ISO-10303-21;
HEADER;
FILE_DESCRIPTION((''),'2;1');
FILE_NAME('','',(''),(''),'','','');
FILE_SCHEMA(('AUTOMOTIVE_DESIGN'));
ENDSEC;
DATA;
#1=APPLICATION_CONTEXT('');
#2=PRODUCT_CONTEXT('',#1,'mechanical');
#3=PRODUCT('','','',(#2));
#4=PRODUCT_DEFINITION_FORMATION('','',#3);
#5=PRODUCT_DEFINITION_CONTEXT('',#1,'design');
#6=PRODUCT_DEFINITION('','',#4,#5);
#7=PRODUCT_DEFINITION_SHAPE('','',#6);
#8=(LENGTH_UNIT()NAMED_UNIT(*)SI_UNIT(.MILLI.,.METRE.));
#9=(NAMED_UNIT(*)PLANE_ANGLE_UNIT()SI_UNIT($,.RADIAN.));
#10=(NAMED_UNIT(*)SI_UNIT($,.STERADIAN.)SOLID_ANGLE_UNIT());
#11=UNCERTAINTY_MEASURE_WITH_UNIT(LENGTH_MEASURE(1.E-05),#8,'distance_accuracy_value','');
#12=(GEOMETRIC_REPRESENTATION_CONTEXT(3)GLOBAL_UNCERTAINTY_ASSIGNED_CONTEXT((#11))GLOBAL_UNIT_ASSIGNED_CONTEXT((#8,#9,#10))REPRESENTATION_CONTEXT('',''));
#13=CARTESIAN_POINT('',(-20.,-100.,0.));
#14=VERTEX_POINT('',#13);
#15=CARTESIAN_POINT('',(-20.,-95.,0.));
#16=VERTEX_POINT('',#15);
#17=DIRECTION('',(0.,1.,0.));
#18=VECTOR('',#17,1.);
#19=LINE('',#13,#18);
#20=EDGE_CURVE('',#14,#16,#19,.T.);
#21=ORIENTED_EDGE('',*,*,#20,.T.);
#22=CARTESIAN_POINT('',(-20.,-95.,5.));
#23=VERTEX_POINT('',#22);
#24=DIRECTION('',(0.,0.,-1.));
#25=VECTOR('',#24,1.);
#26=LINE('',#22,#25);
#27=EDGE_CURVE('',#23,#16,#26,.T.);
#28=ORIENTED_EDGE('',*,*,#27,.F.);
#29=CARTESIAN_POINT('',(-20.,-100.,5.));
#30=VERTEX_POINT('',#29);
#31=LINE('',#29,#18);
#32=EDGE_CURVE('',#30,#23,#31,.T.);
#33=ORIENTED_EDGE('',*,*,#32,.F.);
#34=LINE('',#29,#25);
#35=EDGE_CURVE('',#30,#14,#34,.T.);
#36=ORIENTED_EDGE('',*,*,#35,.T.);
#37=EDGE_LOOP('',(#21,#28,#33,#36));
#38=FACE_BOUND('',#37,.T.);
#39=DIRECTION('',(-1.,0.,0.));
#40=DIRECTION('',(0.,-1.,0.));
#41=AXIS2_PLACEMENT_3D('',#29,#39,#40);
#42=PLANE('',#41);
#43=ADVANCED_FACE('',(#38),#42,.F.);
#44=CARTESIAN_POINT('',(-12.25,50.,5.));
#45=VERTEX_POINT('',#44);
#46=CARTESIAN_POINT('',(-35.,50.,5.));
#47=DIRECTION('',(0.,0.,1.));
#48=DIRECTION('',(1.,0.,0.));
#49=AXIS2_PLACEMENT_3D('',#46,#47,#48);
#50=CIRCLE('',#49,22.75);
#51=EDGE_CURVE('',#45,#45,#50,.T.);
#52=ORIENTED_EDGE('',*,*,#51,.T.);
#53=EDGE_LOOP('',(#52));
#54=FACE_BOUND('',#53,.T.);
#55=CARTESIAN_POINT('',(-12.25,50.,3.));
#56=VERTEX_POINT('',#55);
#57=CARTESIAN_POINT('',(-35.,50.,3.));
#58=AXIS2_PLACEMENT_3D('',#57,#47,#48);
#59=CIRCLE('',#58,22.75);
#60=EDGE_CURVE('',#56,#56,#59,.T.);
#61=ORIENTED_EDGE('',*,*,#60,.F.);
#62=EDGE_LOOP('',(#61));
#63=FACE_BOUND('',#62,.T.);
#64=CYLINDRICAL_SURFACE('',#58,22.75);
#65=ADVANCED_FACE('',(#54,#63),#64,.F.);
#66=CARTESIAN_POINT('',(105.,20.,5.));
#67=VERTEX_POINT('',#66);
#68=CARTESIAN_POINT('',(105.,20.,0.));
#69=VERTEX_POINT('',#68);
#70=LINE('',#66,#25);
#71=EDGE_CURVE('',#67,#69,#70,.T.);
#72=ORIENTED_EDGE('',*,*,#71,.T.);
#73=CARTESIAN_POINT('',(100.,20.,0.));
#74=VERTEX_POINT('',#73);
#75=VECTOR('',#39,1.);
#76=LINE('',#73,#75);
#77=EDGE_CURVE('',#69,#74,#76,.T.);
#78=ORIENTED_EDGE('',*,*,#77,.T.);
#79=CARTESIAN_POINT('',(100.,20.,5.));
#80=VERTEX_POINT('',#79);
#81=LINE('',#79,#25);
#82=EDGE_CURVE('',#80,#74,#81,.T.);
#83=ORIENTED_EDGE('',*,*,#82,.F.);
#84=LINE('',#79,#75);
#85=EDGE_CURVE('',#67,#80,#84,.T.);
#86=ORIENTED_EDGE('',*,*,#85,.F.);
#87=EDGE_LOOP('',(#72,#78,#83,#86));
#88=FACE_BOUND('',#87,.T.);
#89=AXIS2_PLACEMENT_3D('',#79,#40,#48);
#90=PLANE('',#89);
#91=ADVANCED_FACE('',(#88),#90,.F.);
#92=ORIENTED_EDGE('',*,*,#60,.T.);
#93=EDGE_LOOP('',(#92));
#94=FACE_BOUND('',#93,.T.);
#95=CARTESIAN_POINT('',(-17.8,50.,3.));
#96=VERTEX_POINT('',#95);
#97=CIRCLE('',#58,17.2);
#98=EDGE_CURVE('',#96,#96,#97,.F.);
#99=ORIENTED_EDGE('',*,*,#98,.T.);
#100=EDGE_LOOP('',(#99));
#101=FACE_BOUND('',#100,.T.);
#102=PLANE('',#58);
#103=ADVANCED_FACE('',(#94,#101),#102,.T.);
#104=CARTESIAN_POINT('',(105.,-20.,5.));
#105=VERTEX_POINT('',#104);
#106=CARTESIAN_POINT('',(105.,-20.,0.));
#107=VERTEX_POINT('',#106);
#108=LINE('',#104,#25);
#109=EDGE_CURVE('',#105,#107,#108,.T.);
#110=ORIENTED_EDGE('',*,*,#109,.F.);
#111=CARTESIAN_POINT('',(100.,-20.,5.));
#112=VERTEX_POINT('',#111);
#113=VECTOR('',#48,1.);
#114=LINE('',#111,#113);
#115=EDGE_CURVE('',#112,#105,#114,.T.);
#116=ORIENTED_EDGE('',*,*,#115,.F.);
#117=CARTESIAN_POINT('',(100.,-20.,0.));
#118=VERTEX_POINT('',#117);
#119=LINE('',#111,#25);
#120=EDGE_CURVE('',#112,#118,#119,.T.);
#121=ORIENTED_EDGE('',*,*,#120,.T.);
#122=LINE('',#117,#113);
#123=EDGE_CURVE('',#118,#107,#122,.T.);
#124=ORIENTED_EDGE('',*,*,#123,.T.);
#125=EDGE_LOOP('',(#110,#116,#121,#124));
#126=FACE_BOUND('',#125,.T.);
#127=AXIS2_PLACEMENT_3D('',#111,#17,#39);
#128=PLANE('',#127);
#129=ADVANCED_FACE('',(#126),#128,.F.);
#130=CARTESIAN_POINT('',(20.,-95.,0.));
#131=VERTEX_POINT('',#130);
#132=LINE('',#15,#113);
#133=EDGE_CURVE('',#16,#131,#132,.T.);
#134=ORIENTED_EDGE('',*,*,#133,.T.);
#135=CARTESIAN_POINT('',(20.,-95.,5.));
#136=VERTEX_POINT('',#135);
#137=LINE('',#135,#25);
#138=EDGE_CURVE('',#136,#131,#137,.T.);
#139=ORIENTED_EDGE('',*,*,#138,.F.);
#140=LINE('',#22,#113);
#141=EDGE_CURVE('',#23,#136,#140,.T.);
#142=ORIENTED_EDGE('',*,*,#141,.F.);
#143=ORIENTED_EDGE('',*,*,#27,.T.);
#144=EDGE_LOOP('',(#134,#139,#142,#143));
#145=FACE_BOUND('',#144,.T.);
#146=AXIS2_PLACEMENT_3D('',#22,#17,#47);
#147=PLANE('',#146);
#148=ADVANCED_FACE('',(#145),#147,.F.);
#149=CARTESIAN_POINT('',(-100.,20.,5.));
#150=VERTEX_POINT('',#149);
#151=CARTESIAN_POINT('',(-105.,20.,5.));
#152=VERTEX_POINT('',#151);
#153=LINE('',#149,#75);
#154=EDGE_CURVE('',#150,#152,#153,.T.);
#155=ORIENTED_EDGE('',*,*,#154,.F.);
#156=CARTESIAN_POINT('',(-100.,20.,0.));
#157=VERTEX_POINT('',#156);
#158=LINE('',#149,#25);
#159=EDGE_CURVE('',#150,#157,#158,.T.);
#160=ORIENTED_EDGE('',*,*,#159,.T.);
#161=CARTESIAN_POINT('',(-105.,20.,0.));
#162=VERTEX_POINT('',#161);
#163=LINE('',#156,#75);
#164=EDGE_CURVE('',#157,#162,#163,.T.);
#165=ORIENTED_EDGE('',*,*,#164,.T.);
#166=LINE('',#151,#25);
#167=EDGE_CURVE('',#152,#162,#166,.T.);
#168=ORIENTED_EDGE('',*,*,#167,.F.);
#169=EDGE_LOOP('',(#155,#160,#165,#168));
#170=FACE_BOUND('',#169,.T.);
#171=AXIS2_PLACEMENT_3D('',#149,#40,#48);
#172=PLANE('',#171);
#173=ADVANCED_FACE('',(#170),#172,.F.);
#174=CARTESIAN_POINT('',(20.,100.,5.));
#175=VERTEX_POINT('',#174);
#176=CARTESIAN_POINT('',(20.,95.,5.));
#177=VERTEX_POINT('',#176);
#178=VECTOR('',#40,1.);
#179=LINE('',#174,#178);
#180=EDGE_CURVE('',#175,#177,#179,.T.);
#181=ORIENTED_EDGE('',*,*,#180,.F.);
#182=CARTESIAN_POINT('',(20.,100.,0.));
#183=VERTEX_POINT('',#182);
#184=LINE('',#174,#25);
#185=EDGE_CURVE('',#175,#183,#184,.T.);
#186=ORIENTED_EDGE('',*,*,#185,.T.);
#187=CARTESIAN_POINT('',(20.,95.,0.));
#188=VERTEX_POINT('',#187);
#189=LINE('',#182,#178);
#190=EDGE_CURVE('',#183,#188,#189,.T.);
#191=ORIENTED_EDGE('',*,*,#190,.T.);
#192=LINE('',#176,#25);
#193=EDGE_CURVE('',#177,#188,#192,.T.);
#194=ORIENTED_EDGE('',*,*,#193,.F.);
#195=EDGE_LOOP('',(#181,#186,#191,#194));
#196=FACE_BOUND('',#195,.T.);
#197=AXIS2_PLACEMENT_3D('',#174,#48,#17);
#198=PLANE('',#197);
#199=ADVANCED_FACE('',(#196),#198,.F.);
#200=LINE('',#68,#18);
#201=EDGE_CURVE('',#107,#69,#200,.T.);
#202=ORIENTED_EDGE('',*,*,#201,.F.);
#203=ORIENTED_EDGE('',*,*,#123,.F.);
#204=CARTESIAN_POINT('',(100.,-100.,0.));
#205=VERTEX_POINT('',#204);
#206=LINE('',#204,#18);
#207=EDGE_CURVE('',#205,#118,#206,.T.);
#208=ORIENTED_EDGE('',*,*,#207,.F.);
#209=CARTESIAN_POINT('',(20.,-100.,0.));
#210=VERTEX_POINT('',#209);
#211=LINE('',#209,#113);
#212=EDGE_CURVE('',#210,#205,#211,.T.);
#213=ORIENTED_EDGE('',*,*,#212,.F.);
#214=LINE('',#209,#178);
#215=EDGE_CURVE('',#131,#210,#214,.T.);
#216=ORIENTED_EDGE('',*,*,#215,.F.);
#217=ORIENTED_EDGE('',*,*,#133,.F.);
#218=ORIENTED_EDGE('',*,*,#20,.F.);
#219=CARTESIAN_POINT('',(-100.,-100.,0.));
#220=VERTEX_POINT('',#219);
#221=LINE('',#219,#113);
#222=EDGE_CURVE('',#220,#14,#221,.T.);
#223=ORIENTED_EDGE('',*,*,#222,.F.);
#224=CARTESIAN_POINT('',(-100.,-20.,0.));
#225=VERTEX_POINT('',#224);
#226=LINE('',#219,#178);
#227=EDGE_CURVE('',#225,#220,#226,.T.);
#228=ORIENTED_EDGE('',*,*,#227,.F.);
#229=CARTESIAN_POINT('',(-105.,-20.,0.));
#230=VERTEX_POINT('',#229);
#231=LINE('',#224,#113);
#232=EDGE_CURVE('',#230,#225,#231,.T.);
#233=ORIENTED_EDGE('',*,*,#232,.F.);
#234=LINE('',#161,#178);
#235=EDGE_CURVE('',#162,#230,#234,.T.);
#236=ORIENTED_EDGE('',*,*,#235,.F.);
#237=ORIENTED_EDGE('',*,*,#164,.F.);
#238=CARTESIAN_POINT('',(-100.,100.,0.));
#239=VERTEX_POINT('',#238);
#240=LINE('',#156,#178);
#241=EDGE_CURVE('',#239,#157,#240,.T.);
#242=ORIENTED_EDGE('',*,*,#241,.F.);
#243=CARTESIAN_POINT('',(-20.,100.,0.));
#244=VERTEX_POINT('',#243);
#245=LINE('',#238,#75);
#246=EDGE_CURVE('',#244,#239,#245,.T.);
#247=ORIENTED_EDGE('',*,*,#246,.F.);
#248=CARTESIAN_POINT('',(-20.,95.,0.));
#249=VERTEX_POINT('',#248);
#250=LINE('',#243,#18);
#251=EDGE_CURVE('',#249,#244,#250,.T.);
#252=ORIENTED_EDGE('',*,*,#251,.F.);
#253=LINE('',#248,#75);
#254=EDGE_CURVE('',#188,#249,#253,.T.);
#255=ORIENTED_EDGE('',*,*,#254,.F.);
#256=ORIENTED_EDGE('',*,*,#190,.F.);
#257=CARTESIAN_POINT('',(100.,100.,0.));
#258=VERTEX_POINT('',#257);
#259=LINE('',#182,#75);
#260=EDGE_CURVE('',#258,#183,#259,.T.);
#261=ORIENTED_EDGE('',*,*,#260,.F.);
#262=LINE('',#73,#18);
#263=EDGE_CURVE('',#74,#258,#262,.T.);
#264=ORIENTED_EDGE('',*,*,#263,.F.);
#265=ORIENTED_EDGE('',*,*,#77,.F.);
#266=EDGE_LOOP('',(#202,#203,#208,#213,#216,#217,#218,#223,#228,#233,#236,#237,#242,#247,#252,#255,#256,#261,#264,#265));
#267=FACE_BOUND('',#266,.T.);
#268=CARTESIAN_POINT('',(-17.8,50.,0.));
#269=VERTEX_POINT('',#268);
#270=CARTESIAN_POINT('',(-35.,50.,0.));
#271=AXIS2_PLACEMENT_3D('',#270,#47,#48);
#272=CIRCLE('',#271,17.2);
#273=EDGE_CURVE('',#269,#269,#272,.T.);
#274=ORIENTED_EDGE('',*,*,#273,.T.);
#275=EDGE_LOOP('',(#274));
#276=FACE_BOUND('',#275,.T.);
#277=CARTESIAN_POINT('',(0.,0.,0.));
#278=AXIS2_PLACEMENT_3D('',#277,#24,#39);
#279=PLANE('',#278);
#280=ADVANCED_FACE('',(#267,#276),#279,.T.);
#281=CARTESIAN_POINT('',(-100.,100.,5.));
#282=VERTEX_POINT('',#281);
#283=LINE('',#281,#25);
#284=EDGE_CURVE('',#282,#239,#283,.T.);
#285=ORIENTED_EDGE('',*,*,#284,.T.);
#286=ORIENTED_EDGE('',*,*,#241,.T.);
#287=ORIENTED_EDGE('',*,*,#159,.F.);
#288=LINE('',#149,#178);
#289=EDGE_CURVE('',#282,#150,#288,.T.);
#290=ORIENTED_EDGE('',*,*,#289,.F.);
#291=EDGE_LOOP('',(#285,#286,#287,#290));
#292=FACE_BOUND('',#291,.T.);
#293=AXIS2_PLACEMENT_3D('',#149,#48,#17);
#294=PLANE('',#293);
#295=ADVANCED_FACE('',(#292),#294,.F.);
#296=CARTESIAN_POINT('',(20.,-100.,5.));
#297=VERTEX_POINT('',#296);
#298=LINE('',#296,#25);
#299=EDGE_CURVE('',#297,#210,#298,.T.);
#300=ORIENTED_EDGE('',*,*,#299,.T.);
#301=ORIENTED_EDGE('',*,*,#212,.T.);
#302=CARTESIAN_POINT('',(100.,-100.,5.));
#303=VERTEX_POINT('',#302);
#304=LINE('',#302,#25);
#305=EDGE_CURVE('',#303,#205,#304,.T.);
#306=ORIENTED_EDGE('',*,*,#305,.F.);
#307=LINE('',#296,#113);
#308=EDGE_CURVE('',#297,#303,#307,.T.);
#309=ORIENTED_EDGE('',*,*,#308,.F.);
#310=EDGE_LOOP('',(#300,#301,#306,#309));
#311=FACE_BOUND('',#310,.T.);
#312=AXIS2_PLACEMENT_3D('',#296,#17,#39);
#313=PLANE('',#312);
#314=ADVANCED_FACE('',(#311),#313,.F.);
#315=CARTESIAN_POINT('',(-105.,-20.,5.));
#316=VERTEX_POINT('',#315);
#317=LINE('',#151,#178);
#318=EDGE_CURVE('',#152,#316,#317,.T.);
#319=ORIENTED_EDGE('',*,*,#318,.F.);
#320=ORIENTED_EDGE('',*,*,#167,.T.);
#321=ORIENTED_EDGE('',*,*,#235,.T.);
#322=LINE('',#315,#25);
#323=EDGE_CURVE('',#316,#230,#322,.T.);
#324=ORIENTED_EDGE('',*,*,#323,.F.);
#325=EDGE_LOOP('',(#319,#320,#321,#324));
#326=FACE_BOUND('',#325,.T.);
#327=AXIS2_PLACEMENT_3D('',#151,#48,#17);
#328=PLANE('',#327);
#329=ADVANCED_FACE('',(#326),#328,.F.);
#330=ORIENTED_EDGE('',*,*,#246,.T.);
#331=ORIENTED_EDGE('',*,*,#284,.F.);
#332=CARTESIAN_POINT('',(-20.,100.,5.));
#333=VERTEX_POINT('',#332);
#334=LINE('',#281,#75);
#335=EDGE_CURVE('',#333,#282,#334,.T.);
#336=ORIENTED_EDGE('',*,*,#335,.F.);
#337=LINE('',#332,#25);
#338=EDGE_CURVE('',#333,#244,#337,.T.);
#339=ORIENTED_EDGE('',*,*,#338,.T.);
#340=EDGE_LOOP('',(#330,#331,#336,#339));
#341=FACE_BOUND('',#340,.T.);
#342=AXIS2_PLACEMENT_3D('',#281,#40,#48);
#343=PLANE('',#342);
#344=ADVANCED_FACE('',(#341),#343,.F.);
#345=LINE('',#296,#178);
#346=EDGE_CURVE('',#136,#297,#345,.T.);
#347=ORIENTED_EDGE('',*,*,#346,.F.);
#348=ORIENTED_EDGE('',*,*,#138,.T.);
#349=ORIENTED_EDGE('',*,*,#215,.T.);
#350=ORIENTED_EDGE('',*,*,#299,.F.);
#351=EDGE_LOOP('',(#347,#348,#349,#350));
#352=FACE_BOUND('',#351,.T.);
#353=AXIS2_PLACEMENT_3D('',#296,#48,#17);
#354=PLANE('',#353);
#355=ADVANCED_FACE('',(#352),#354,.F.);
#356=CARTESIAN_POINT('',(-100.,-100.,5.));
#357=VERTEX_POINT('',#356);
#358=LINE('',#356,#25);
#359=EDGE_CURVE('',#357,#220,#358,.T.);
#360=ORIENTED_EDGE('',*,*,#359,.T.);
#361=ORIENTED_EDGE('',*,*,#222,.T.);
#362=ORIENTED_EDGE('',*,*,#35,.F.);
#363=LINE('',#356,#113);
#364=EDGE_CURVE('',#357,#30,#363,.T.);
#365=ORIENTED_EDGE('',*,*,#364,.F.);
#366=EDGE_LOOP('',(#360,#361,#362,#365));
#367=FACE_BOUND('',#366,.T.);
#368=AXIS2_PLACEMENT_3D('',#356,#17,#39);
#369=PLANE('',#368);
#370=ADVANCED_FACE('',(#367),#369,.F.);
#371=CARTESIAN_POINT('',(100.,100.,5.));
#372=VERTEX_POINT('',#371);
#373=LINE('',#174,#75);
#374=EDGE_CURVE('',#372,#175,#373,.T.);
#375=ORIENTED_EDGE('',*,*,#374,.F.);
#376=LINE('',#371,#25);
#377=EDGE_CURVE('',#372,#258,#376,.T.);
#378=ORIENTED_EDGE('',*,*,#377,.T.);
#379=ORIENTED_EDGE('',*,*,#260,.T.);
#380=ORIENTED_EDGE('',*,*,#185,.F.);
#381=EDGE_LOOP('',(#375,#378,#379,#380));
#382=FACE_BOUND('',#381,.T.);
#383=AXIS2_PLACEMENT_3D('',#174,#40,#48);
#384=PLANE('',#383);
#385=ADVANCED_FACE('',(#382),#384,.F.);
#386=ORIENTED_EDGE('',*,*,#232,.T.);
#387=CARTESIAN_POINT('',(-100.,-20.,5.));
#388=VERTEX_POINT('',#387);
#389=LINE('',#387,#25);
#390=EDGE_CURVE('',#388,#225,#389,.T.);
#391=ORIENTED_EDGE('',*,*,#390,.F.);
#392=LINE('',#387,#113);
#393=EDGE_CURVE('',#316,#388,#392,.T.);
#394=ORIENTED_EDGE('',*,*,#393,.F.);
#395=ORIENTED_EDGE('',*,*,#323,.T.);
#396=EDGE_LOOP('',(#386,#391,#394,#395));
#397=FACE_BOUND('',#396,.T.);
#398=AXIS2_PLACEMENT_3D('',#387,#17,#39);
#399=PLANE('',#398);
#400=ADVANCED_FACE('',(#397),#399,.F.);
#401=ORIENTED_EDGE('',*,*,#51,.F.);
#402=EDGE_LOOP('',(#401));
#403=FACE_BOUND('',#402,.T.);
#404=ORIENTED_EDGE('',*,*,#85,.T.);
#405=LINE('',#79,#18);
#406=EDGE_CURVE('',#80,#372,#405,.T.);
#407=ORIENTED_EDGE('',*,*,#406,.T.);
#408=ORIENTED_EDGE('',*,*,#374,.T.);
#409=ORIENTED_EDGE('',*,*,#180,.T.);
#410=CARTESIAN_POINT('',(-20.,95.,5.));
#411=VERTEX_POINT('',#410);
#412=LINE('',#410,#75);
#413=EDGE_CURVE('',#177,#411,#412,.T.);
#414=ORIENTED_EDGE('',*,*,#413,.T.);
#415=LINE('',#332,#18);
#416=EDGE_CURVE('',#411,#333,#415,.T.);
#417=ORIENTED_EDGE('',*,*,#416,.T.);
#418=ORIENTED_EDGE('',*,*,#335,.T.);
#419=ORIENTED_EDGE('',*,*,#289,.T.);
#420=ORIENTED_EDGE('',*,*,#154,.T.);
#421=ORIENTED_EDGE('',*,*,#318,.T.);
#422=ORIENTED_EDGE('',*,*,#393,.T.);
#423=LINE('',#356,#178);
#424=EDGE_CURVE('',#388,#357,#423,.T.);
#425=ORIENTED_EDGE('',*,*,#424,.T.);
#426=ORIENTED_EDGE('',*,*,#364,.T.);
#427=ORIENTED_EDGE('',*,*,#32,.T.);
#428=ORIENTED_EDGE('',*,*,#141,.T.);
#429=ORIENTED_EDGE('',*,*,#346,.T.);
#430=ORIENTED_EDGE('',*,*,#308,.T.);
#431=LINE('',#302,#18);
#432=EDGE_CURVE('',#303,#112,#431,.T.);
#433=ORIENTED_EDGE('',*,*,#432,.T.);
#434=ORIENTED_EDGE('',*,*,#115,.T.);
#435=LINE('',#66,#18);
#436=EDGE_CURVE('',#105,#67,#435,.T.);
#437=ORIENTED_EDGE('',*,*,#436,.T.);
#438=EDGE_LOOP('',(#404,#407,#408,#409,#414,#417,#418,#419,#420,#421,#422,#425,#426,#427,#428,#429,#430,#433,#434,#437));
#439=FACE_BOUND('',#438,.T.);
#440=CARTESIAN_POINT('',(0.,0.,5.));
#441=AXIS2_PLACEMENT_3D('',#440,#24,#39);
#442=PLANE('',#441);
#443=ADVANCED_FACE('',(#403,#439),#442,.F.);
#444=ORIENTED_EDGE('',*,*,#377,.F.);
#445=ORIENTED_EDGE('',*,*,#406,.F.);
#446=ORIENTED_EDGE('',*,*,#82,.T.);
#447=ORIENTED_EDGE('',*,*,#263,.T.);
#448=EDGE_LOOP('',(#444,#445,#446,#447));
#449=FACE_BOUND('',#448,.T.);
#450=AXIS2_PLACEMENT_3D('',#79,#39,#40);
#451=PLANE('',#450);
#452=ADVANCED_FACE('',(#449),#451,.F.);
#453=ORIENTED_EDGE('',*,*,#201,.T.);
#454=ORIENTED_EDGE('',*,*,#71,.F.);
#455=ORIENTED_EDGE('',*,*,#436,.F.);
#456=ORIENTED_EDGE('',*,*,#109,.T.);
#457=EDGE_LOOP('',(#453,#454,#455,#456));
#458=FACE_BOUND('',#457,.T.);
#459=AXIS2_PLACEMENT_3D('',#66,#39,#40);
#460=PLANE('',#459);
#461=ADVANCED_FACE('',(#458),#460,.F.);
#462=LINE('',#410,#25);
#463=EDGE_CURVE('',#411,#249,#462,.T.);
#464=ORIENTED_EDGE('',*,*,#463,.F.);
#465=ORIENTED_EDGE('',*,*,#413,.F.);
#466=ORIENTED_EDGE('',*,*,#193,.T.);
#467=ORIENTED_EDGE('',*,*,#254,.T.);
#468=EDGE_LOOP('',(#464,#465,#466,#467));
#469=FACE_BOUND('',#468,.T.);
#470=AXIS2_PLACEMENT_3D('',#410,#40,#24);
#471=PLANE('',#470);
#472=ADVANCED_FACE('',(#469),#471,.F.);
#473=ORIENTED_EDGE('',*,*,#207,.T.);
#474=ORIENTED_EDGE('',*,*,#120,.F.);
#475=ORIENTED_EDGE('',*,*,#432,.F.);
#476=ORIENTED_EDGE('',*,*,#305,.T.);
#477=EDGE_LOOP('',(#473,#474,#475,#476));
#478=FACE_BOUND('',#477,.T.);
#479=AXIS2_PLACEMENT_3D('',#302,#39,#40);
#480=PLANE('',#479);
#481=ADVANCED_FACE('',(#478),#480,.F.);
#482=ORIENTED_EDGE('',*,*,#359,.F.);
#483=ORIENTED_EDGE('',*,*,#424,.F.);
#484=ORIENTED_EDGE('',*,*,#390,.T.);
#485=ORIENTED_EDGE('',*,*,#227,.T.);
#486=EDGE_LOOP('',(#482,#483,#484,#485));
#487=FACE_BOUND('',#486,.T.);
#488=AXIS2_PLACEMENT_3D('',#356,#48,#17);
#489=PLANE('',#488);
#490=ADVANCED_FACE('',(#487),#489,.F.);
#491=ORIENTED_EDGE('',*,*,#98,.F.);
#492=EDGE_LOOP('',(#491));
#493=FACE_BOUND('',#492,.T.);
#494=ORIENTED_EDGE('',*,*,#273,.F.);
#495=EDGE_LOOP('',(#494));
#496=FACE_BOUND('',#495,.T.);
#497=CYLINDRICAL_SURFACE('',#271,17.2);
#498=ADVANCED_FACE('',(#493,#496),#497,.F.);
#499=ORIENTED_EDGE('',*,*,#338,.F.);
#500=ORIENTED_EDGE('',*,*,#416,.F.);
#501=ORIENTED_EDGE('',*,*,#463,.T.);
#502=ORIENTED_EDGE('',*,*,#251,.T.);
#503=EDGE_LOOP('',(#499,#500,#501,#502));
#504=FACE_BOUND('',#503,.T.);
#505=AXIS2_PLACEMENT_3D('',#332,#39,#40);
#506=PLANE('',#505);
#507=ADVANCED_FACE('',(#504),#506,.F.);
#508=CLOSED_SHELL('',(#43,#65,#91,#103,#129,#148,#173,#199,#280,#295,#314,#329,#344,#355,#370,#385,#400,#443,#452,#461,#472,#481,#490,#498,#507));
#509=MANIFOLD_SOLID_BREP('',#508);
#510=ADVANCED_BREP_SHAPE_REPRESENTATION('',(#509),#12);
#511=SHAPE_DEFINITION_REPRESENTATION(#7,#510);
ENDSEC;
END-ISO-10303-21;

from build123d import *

# Parameters (mm, degrees)
SALIENTE_EXTRUIR1_DEPTH = 5
CROQUIS2_R              = 17.2
CORTAR_EXTRUIR1_DEPTH   = 5
CROQUIS3_R              = 22.75
CORTAR_EXTRUIR2_DEPTH   = 2


with BuildPart() as part:
    # Croquis1 → Saliente-Extruir1 (new body)
    with BuildSketch(Plane.XY):
        Polygon((-100, -100), (-100, -20), (-105, -20), (-105, 20), (-100, 20), (-100, 100), (-20, 100), (-20, 95), (20, 95), (20, 100), (100, 100), (100, 20), (105, 20), (105, -20), (100, -20), (100, -100), (20, -100), (20, -95), (-20, -95), (-20, -100), align=None)
    extrude(amount=SALIENTE_EXTRUIR1_DEPTH)

    # Croquis2 → Cortar-Extruir1 (cut)
    with BuildSketch(Plane.XY.offset(5)):
        with Locations((-35, 50)):
            Circle(CROQUIS2_R)
    extrude(amount=-CORTAR_EXTRUIR1_DEPTH, mode=Mode.SUBTRACT)

    # Croquis3 → Cortar-Extruir2 (cut)
    with BuildSketch(Plane.XY.offset(5)):
        with Locations((-35, 50)):
            Circle(CROQUIS3_R)
    extrude(amount=-CORTAR_EXTRUIR2_DEPTH, mode=Mode.SUBTRACT)


solid = part.part
